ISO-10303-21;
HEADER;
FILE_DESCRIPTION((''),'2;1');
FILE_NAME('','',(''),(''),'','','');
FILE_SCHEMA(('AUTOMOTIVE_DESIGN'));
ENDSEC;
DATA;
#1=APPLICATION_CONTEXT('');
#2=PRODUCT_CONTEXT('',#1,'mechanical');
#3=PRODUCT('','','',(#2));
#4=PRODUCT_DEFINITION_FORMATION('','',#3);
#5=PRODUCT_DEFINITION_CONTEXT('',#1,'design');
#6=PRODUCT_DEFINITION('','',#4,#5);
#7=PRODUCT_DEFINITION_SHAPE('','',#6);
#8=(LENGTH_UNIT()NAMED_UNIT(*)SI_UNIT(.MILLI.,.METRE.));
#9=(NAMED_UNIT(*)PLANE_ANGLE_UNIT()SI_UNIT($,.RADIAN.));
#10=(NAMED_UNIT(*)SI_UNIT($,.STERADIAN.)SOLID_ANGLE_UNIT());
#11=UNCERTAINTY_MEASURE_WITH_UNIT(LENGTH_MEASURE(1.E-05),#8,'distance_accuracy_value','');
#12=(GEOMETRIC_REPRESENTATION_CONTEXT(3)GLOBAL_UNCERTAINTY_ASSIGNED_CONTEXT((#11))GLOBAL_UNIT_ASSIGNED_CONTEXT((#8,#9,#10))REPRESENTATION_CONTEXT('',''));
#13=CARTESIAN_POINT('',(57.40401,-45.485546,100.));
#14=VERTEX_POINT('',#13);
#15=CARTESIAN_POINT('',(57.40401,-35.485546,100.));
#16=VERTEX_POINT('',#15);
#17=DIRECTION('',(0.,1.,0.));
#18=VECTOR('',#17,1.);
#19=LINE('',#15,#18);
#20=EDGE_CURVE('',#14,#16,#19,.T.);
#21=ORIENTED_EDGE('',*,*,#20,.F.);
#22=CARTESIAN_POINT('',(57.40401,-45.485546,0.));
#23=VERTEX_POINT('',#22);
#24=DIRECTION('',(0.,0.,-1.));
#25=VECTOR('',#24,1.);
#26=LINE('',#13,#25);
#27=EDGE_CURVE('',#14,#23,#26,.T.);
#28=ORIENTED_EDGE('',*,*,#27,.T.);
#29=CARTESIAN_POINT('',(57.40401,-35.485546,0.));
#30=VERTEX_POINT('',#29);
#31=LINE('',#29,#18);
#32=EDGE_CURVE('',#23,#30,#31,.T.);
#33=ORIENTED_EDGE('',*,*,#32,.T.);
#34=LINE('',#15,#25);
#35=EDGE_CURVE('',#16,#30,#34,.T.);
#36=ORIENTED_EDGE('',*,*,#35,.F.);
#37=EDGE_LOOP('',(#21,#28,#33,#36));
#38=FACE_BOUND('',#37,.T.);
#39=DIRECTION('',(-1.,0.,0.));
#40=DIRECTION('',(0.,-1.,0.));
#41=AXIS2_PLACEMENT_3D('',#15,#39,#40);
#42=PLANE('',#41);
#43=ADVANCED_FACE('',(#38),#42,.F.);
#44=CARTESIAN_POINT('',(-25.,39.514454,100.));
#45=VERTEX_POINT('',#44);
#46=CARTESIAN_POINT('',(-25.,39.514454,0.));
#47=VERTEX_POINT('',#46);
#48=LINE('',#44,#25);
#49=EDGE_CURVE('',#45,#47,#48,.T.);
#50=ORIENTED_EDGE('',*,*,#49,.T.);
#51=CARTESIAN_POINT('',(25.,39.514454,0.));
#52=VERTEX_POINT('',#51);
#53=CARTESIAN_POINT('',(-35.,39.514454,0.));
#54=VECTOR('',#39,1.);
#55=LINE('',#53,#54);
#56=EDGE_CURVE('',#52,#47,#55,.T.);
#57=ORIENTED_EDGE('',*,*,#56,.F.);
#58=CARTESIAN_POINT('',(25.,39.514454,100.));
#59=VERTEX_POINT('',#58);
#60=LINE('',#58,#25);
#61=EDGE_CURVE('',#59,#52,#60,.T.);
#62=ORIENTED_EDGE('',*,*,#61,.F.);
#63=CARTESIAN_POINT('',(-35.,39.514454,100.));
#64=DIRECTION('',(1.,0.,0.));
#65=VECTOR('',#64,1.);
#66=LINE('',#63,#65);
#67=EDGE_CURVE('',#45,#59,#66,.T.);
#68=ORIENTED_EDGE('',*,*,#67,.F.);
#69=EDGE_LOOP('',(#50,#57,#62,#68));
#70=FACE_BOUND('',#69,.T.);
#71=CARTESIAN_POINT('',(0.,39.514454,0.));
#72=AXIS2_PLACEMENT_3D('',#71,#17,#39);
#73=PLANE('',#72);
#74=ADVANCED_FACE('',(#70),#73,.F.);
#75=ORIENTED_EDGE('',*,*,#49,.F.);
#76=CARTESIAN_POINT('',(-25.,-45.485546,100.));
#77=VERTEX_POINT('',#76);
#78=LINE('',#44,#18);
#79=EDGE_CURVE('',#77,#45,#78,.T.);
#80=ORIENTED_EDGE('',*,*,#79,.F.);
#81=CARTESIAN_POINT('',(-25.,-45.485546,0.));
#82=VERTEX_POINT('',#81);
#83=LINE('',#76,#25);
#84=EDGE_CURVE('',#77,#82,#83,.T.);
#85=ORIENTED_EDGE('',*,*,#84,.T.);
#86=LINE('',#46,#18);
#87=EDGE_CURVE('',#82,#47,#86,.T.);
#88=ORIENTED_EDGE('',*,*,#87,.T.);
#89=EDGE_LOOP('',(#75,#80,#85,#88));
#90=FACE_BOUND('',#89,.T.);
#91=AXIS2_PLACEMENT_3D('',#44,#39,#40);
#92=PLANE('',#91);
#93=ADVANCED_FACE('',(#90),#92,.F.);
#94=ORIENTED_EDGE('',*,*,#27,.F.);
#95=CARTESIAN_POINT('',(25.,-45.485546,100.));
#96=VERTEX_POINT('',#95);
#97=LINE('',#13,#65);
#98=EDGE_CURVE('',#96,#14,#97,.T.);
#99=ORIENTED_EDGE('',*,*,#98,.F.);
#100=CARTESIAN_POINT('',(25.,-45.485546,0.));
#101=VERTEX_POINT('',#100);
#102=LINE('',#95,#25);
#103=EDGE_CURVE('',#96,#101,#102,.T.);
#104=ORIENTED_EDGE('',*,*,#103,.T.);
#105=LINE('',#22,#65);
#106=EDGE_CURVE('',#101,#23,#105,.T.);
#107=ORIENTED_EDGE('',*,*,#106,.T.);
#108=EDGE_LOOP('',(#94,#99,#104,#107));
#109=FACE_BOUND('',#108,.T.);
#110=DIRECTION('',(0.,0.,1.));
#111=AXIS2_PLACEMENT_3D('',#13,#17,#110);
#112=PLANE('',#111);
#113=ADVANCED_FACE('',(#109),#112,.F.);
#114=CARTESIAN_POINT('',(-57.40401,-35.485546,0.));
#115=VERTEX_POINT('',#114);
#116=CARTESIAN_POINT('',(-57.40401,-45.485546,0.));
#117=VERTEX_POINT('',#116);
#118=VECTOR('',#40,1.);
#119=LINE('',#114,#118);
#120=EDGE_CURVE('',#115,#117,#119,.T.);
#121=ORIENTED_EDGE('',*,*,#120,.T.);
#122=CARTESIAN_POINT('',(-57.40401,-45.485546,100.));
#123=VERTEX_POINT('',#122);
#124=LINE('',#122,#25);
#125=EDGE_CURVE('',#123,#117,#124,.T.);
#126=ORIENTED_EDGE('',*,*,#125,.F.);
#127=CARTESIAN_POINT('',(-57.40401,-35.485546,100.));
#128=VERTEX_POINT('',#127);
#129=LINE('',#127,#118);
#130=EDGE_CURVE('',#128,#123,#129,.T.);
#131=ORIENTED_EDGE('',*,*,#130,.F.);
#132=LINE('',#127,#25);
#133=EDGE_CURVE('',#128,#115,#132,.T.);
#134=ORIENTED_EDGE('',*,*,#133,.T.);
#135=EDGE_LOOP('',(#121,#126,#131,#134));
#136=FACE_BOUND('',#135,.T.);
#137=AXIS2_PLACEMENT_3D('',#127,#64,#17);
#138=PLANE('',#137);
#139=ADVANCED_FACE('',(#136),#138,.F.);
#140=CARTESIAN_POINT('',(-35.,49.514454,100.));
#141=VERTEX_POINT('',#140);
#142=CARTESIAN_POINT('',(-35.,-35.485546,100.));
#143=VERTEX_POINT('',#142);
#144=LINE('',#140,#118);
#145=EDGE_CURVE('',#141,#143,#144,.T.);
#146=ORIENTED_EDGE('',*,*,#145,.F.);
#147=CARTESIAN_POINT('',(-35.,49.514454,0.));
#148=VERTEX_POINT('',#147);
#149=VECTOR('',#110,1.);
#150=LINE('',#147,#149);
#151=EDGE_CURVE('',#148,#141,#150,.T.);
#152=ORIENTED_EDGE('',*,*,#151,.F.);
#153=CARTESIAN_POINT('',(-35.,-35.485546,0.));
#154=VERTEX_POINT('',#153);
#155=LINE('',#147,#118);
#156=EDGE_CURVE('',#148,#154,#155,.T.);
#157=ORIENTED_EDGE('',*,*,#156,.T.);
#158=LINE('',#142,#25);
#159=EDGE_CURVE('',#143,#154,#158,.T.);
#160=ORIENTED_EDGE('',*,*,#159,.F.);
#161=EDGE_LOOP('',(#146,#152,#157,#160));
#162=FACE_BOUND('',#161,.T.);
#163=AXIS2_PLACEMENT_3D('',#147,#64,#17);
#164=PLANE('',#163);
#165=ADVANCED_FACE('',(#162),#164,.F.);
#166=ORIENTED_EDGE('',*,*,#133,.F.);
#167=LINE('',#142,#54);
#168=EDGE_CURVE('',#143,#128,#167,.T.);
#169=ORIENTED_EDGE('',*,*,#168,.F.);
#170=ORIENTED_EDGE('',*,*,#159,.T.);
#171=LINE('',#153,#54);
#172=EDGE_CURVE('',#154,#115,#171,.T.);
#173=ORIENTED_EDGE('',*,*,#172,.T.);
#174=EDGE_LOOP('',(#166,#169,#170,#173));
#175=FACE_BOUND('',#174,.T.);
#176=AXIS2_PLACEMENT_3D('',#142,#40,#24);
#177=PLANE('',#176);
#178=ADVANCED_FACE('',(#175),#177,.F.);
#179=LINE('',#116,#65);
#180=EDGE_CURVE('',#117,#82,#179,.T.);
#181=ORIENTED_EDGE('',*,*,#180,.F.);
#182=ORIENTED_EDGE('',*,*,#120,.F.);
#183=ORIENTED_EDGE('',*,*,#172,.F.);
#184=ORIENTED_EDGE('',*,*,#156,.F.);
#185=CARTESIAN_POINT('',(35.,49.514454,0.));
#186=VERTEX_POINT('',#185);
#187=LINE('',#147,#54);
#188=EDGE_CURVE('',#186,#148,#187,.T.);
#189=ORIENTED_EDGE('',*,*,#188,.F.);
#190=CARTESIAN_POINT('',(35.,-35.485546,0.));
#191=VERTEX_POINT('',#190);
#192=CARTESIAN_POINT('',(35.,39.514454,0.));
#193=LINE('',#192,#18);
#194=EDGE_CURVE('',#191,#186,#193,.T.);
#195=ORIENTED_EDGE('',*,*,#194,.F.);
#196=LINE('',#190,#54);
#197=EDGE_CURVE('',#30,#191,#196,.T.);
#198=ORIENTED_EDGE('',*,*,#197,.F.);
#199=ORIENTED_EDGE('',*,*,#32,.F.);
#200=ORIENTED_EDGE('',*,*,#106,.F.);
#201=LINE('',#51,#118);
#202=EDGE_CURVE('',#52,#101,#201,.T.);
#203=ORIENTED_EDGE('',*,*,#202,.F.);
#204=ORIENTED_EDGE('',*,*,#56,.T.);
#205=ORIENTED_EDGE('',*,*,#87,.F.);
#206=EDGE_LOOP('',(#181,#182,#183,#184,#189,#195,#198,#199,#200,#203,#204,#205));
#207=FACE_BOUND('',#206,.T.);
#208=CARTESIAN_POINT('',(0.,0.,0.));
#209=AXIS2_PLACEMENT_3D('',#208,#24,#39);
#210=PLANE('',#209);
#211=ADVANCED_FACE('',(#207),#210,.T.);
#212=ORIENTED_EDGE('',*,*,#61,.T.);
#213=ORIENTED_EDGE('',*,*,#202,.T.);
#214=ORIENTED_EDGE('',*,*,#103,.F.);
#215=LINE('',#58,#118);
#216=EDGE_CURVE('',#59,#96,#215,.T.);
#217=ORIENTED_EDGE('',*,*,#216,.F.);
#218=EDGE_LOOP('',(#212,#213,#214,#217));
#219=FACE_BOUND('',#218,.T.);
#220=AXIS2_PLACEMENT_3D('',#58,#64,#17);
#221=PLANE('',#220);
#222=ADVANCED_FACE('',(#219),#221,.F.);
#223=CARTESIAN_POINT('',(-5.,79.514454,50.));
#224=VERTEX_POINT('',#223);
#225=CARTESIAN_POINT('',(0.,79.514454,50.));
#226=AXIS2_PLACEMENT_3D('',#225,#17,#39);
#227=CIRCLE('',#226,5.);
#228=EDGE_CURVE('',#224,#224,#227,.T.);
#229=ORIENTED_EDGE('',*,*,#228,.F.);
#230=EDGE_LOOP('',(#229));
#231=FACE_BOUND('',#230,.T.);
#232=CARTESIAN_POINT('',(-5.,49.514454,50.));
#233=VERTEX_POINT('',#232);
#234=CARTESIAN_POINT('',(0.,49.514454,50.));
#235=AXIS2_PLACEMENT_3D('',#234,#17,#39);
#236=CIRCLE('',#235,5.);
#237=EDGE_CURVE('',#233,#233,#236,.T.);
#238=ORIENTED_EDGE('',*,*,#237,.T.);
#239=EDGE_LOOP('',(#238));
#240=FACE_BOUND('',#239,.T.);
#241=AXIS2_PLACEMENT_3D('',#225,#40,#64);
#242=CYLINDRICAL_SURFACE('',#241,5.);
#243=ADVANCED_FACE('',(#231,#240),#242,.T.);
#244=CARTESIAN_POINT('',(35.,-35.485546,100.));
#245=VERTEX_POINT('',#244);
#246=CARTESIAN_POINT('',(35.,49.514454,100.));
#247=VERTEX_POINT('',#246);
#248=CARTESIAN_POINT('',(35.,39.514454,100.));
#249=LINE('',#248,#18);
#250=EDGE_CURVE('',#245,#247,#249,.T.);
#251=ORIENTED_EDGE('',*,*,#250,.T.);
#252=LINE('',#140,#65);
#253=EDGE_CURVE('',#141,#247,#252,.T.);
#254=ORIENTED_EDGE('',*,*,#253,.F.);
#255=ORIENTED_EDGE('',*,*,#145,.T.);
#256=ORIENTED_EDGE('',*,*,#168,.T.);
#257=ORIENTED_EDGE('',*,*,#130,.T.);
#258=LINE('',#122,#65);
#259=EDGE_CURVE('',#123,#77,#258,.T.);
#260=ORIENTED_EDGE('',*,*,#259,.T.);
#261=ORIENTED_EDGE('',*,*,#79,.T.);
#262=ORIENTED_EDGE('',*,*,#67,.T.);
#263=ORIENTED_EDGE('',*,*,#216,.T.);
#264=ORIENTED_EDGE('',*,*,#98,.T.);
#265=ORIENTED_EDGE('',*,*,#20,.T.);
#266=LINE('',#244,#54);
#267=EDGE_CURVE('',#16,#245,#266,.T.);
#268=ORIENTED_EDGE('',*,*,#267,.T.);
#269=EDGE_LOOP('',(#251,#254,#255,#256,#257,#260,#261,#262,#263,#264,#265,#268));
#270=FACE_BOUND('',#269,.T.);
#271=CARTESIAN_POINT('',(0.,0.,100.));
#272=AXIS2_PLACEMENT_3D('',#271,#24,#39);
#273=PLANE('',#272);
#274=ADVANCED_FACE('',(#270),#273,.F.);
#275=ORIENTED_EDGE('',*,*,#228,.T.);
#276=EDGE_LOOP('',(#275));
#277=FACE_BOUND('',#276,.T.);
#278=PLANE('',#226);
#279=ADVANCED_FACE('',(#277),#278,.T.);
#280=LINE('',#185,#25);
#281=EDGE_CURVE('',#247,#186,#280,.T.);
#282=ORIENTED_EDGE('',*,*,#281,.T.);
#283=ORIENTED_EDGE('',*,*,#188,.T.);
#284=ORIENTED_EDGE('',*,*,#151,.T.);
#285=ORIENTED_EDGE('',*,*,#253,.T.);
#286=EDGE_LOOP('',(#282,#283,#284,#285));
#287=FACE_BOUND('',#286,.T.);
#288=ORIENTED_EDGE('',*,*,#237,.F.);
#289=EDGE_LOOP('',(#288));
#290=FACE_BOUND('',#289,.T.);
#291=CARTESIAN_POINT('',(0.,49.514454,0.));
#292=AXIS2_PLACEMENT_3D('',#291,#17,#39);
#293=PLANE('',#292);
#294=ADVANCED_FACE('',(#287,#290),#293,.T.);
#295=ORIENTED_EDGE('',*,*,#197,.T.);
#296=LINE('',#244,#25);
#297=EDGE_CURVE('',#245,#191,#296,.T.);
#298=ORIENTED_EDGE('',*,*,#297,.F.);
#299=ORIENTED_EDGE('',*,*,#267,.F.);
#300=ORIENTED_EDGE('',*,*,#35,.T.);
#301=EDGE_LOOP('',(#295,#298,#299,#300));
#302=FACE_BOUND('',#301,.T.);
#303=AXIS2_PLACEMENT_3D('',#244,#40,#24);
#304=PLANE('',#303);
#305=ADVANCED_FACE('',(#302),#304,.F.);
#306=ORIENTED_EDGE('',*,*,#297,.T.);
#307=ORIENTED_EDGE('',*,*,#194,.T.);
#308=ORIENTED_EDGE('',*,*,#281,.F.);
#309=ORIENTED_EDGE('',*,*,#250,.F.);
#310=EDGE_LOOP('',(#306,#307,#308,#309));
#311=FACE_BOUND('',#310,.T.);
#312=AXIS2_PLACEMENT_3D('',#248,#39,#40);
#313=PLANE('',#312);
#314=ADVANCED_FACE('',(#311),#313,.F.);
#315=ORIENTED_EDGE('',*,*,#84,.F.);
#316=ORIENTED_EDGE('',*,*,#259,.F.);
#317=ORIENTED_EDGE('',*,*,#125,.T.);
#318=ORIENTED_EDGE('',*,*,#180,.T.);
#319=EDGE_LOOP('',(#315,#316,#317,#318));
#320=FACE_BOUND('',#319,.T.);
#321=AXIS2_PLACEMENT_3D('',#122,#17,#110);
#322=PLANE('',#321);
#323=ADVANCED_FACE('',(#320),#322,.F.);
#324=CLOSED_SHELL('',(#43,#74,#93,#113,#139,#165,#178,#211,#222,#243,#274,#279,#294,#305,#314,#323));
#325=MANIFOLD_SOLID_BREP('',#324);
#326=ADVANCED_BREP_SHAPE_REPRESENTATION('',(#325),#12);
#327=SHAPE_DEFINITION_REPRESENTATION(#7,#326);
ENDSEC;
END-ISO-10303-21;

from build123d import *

# Parameters (mm, degrees)
BOSS_EXTRUDE1_DEPTH   = 100
BOSS_EXTRUDE1_2_DEPTH = 100
SKETCH2_W             = 70
SKETCH2_H             = 100
BOSS_EXTRUDE2_DEPTH   = 10
SKETCH3_R             = 5
BOSS_EXTRUDE3_DEPTH   = 30


with BuildPart() as part:
    # Sketch1 → Boss-Extrude1 (new body)
    with BuildSketch(Plane.XY):
        Polygon((-57.404010399, -45.485546177), (-25, -45.485546177), (-25, 39.514453823), (-35, 39.514453823), (-35, -35.485546177), (-57.404010399, -35.485546177), align=None)
    extrude(amount=BOSS_EXTRUDE1_DEPTH)



with BuildPart() as body_2:
    # Sketch1 → Boss-Extrude1 2 (new body)
    with BuildSketch(Plane.XY):
        Polygon((25, 39.514453823), (35, 39.514453823), (35, -35.485546177), (57.404010399, -35.485546177), (57.404010399, -45.485546177), (25, -45.485546177), align=None)
    extrude(amount=BOSS_EXTRUDE1_2_DEPTH)


with BuildPart() as part_1:
    add(part.part)

    add(body_2.part)  # Boss-Extrude2 merges body 2
    # Sketch2 → Boss-Extrude2 (add)
    with BuildSketch(Plane(origin=(0, 39.514453823, 0), x_dir=(1, 0, 0), z_dir=(0, 1, 0))):
        with Locations((0, -50)):
            Rectangle(SKETCH2_W, SKETCH2_H)
    extrude(amount=BOSS_EXTRUDE2_DEPTH)

    # Sketch3 → Boss-Extrude3 (add)
    with BuildSketch(Plane(origin=(0, 49.514453823, 0), x_dir=(1, 0, 0), z_dir=(0, 1, 0))):
        with Locations(Location((0, -50, 0), (0, 0, 180))):
            Circle(SKETCH3_R)
    extrude(amount=BOSS_EXTRUDE3_DEPTH)


solid = part_1.part
